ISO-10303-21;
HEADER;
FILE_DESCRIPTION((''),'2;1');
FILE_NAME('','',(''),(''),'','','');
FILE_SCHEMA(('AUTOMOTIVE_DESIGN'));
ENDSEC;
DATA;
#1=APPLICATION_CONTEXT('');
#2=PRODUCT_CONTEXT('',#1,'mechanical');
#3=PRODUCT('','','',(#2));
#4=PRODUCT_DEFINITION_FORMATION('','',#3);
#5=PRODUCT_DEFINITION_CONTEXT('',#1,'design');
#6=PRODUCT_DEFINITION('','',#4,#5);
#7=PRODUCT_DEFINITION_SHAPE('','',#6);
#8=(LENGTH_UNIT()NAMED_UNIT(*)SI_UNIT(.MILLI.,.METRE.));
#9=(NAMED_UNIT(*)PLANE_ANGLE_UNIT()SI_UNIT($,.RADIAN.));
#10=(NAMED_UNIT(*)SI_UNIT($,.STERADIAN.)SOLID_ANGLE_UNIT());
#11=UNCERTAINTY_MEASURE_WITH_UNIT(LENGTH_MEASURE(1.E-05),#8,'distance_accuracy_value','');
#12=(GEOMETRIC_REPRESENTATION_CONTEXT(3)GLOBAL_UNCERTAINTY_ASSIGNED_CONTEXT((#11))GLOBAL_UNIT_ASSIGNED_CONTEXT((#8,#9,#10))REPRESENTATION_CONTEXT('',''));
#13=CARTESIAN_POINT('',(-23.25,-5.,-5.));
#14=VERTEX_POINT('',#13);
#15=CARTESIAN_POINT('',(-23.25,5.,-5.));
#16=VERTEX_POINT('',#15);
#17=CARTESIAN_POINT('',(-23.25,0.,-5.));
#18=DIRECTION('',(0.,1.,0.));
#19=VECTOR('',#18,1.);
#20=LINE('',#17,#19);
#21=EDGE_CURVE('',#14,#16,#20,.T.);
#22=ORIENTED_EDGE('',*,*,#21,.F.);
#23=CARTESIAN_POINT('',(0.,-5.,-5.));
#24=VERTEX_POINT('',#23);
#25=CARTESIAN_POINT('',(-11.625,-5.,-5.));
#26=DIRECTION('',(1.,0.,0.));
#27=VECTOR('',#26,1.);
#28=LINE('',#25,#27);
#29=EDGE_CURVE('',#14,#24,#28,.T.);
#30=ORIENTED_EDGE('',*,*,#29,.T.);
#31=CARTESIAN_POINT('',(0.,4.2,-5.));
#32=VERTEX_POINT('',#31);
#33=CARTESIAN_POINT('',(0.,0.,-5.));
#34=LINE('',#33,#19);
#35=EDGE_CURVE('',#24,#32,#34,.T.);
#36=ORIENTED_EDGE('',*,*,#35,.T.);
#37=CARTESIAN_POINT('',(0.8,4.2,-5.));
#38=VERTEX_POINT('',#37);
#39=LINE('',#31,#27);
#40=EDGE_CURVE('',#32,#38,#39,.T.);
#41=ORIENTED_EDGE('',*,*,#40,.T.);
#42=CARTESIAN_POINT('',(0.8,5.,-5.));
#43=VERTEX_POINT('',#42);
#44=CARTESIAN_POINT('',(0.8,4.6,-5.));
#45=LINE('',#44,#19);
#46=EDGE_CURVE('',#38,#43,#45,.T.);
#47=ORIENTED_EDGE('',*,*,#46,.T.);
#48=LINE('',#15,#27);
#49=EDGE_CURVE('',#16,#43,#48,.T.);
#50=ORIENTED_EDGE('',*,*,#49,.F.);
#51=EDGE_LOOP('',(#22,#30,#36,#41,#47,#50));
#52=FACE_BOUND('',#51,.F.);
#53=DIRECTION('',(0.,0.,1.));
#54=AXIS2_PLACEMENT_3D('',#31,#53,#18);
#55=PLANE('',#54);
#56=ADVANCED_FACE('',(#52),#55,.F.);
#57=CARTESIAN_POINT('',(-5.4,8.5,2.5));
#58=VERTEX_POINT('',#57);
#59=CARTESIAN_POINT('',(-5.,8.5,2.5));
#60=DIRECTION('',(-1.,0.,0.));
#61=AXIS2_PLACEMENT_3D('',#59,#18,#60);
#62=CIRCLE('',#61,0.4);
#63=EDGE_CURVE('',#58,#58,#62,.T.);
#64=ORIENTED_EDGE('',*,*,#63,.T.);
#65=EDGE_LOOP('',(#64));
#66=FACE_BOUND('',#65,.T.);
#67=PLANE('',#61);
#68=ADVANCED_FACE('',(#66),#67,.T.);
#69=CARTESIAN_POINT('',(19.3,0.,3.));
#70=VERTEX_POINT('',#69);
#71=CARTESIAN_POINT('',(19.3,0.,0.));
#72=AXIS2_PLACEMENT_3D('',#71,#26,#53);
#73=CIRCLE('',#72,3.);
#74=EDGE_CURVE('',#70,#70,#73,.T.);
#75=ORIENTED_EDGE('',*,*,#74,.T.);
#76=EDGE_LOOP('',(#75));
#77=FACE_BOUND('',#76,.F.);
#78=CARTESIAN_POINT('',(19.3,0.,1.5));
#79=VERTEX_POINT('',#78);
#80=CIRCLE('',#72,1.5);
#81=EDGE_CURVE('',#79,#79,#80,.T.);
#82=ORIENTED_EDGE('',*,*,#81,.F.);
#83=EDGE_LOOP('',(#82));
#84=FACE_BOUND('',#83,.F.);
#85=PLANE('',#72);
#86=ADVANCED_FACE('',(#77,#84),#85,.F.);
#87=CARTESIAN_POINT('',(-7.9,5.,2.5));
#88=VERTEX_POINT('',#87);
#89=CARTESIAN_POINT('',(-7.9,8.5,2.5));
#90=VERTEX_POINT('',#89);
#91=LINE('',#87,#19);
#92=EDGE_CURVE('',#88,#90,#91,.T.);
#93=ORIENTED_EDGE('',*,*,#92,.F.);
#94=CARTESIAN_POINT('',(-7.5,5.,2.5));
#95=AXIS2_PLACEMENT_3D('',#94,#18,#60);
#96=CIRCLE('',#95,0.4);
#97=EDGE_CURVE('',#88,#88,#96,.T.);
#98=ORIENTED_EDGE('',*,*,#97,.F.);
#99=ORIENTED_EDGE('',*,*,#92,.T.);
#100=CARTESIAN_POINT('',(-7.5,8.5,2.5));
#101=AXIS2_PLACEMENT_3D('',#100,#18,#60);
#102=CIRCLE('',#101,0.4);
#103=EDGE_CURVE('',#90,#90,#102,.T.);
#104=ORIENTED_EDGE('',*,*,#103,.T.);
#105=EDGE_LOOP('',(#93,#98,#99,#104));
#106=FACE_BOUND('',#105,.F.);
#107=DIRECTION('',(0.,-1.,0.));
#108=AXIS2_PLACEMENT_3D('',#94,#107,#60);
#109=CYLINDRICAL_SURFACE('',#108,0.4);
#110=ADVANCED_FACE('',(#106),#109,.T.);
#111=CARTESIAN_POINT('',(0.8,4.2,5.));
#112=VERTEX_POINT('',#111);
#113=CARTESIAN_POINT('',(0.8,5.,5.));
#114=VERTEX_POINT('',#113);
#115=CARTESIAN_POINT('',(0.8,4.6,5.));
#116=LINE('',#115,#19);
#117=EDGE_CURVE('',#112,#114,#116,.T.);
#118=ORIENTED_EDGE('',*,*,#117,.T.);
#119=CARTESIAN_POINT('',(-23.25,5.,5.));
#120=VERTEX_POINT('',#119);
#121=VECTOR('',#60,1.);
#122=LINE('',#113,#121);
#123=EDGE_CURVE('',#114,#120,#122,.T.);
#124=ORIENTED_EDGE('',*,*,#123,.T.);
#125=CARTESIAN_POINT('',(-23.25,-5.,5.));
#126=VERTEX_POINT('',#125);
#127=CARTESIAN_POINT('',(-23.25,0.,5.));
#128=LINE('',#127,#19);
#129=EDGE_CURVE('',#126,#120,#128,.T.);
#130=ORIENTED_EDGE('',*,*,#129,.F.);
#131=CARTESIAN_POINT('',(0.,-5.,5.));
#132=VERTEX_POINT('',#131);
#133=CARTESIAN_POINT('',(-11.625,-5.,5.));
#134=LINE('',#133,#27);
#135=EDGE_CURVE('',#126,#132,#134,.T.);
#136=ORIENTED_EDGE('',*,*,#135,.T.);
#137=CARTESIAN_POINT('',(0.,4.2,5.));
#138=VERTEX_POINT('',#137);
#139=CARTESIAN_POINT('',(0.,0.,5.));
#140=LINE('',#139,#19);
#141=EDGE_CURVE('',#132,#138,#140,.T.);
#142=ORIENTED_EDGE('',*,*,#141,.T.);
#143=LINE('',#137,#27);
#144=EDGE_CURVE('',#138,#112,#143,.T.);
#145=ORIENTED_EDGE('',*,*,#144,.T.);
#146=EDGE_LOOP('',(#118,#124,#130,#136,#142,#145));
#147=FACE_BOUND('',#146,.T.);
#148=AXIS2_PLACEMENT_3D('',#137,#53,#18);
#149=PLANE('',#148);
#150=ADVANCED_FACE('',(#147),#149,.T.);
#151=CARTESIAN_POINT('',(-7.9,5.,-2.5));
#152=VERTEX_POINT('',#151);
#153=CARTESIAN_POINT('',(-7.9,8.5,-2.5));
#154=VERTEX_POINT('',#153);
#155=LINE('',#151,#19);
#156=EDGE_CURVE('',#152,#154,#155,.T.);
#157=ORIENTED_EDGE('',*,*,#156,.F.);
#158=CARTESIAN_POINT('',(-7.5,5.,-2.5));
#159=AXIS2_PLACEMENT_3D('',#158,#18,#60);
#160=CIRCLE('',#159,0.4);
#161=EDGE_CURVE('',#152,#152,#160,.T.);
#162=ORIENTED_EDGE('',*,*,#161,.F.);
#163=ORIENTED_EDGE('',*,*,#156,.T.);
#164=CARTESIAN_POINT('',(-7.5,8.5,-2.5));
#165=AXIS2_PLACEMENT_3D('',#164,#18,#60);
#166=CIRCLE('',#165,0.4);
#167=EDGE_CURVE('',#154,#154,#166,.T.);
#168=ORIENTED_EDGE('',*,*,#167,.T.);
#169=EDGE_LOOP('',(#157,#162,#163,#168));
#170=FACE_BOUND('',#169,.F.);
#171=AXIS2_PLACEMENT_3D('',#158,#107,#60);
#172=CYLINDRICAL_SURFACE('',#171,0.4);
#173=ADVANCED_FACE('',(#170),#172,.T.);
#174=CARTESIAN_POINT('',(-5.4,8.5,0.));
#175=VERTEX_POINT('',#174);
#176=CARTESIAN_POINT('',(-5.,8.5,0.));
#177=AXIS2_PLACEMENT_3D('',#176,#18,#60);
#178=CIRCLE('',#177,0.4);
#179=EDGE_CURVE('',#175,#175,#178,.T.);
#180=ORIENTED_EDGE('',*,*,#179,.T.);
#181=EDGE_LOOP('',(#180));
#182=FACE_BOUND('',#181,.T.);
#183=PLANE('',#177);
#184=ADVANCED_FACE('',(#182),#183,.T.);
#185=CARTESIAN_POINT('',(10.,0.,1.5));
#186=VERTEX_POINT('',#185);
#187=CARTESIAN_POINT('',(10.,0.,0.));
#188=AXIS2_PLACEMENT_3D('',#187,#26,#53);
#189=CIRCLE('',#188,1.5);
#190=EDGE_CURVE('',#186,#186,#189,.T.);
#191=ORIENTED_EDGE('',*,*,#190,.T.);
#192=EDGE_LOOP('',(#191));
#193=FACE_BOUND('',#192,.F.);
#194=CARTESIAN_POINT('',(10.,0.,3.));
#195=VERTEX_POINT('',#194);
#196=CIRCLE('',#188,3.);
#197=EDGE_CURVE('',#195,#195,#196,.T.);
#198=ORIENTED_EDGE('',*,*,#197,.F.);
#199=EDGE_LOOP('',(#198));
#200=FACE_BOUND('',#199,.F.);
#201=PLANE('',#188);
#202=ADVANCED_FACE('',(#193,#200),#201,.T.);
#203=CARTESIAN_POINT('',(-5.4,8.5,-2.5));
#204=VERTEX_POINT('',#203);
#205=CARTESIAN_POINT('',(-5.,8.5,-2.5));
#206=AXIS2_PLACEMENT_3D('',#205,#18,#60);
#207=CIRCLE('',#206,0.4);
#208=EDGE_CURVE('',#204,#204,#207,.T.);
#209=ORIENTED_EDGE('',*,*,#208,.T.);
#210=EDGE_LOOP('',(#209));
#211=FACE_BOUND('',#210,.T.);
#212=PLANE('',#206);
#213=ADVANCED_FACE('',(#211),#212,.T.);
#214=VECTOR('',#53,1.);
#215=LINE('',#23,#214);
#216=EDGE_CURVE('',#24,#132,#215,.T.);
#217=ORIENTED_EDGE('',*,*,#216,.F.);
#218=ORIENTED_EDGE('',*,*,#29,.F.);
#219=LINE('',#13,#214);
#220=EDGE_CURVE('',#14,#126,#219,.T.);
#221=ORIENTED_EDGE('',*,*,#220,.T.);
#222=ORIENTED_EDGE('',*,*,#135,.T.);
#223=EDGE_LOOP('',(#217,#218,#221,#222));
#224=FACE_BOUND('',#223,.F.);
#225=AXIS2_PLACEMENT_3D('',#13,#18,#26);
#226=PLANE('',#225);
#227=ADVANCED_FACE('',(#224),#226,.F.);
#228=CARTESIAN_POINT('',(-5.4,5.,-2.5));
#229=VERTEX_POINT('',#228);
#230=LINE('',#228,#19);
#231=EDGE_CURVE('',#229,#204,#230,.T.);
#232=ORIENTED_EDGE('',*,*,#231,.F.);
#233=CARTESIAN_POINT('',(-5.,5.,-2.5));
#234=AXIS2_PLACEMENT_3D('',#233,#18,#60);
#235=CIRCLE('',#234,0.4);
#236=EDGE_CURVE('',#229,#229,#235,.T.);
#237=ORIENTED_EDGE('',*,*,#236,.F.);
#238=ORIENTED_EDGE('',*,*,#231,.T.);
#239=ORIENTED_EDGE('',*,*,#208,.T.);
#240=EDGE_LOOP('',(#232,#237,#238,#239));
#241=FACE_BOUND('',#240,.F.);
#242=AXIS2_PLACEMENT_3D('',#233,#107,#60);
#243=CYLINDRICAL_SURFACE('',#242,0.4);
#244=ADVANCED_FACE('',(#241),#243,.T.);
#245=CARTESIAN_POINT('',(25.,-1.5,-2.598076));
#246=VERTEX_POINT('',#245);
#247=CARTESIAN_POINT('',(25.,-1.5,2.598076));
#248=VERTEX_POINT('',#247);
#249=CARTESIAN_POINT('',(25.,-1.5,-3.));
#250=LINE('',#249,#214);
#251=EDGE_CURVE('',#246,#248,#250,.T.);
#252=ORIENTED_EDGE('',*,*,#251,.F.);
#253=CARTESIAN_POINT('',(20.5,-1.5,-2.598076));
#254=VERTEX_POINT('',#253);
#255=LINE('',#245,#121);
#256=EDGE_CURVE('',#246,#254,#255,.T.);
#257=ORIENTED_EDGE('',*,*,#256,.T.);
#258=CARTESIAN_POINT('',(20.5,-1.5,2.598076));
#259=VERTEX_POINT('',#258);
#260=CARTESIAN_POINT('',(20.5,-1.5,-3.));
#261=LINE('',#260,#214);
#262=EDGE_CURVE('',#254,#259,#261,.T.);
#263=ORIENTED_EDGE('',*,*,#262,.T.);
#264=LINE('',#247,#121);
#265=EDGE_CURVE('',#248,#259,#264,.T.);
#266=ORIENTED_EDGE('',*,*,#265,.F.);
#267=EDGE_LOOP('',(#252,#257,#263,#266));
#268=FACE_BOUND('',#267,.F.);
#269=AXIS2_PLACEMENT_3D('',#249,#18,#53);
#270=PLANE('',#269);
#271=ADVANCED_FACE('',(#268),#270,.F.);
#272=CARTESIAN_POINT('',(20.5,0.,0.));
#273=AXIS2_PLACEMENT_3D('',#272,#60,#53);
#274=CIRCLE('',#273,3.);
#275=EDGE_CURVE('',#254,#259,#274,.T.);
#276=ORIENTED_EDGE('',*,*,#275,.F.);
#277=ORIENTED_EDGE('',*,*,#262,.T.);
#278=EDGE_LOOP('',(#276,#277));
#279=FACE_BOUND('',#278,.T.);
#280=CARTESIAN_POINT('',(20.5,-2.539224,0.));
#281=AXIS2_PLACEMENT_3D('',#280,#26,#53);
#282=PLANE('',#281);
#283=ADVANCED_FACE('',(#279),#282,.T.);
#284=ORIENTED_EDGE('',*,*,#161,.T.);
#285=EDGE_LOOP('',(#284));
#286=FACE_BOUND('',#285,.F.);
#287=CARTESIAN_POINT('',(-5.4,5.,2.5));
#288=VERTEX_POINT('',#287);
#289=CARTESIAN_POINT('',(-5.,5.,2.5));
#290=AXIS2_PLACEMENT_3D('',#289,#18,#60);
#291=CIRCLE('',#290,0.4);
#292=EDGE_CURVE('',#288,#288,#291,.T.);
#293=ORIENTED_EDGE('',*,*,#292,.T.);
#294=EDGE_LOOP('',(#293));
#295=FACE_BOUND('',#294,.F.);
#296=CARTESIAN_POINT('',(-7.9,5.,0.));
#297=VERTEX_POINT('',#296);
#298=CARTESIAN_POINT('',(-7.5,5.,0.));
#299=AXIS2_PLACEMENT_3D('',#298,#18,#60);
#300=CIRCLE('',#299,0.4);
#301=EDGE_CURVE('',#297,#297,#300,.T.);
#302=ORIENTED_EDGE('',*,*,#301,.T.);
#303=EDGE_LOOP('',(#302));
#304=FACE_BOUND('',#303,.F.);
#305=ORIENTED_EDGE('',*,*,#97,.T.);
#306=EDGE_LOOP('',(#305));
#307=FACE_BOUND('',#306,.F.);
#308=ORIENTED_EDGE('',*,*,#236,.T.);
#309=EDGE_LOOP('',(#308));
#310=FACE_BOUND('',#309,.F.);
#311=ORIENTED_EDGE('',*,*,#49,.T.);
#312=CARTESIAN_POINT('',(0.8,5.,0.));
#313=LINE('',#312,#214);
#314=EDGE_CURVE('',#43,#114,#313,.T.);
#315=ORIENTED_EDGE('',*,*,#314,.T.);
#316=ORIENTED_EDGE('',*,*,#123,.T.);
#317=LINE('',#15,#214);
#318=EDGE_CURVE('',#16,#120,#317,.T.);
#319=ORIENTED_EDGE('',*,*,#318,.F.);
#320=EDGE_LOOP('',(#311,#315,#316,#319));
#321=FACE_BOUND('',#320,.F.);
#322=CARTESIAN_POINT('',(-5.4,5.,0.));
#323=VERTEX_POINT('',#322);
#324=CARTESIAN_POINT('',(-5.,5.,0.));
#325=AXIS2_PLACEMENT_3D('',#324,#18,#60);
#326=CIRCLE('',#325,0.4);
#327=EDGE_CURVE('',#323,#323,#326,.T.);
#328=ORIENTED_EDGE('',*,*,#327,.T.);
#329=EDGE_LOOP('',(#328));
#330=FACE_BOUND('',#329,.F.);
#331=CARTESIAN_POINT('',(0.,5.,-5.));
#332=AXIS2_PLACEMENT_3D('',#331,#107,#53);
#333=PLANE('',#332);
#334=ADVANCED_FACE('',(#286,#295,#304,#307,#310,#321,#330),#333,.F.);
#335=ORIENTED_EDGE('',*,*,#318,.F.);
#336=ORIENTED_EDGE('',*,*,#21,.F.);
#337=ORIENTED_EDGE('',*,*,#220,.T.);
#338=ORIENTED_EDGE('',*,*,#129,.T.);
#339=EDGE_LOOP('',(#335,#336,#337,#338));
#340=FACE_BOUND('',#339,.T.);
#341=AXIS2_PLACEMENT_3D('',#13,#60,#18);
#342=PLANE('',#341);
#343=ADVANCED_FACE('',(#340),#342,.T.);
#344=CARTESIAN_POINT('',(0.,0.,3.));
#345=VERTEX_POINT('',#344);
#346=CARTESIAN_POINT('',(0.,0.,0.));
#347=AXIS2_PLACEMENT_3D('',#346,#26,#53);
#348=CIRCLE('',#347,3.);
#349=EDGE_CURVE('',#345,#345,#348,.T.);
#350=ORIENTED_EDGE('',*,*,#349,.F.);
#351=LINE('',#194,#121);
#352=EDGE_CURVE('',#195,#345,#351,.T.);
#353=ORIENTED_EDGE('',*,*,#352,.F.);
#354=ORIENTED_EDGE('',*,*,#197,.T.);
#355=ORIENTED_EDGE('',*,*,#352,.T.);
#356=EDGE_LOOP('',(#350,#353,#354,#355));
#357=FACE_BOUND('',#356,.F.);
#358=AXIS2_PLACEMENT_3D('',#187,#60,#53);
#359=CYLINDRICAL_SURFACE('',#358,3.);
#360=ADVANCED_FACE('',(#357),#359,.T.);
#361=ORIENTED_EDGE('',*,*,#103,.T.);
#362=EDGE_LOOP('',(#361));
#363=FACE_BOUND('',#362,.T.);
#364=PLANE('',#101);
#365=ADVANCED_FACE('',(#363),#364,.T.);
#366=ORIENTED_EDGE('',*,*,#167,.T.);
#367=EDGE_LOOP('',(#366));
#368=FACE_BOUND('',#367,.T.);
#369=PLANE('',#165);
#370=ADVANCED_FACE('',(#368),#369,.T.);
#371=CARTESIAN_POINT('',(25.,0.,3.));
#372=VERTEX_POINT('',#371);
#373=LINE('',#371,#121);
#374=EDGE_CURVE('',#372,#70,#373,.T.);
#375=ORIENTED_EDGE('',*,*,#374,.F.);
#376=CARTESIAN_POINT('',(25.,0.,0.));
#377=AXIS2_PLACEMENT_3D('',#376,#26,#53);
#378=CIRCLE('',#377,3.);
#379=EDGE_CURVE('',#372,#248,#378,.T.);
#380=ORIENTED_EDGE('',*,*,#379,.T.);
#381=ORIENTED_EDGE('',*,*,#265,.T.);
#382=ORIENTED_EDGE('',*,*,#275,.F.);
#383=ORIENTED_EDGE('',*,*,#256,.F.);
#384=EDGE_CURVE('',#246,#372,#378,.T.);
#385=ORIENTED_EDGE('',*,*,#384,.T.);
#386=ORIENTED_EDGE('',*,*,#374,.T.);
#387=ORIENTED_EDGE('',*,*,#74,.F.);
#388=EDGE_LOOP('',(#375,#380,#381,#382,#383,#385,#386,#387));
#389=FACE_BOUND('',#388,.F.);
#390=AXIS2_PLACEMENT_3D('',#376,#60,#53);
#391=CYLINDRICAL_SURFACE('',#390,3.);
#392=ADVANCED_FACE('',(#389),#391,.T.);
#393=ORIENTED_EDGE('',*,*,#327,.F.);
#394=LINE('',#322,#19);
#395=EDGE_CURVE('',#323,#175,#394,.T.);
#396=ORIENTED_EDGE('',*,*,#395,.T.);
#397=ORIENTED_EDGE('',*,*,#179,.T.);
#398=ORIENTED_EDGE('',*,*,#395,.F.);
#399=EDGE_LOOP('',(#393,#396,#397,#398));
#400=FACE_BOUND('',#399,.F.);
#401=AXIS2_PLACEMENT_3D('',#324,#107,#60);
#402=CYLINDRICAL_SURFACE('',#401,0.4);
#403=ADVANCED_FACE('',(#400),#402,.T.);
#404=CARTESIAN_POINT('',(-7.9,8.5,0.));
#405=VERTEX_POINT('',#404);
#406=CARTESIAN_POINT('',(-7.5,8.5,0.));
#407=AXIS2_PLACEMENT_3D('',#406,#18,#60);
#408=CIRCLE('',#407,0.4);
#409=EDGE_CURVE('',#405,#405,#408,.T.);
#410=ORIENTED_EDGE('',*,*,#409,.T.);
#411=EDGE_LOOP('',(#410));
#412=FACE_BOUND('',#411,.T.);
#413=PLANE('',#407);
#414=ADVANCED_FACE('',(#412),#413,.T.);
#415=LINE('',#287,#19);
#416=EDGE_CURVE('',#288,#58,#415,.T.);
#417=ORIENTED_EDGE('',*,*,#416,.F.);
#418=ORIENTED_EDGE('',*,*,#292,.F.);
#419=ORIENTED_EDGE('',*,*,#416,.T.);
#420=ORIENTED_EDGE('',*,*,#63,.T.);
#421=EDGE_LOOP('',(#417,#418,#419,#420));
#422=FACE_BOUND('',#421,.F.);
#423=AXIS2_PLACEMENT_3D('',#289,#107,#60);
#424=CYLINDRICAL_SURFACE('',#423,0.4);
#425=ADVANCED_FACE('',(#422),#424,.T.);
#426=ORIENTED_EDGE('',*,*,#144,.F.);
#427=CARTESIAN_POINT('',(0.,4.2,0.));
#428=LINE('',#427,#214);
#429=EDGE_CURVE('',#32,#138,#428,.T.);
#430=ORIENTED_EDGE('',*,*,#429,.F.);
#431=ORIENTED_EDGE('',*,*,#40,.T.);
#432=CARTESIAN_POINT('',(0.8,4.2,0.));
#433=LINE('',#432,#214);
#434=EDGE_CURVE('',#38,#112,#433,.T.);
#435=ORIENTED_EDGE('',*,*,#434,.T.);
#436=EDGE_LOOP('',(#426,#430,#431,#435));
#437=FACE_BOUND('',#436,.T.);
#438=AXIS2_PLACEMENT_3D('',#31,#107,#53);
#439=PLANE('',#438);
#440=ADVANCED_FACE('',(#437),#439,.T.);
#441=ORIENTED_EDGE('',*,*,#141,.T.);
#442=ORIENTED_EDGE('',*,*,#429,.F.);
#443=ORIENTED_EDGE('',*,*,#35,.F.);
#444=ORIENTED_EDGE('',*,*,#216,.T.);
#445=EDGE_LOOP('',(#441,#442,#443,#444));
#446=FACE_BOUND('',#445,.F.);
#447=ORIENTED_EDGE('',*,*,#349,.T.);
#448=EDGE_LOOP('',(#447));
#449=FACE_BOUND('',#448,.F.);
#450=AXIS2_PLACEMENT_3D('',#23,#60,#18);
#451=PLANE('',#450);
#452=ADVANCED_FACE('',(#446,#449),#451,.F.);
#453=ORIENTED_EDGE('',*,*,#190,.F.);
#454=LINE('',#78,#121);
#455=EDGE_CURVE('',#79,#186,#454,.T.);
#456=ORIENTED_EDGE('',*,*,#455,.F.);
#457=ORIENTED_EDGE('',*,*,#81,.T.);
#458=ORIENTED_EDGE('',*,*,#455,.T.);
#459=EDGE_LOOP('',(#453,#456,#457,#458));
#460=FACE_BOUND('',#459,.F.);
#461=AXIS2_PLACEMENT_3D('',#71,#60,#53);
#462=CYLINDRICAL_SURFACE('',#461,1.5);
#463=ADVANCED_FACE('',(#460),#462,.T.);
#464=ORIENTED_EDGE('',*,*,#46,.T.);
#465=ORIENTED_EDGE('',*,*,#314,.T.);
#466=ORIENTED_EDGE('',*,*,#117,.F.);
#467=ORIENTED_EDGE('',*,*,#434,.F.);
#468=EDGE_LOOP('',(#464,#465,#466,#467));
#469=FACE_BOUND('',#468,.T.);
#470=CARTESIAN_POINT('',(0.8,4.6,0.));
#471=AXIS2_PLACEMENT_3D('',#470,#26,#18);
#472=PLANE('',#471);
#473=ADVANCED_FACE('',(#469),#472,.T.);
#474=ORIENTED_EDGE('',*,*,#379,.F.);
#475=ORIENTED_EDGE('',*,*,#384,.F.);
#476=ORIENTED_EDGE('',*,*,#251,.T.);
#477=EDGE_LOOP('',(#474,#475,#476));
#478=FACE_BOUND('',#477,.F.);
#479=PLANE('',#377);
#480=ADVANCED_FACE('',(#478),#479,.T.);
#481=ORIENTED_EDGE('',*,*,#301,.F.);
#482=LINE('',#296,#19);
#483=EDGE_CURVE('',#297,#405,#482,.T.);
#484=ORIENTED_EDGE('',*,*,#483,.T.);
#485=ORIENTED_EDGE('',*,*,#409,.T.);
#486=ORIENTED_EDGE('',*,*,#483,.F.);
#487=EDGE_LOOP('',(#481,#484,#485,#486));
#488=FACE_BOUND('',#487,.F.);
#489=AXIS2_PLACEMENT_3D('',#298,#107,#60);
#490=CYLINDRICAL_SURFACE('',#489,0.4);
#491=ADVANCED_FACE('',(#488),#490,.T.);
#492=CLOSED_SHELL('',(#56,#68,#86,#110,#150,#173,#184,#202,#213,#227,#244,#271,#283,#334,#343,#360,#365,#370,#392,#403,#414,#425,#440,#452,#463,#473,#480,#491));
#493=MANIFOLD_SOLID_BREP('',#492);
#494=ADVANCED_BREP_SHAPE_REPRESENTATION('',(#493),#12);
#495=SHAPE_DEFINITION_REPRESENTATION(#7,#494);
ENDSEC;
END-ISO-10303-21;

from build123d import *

# Parameters (mm, degrees)
POCKET_DEPTH = 4.5
BOX_W        = 23.25
BOX_H        = 10
BOX_DEPTH    = 10
SKETCH002_R  = 0.4
PAD_DEPTH    = 3.5
SKETCH003_W  = 0.8
SKETCH003_H  = 10
PAD001_DEPTH = 0.8


with BuildPart() as pocket:
    # Sketch → Revolution (revolve)
    with BuildSketch(Plane.XZ):
        Polygon((10, 3), (0, 3), (0, 0), (25, 0), (25, 3), (19.3, 3), (19.3, 1.5), (10, 1.5), align=None)
    revolve(axis=Axis((0, 0, 0), (1, 0, 0)))

    # Sketch001 → Pocket (cut)
    with BuildSketch(Plane(origin=(25, 0, 0), x_dir=(0, 0, 1), z_dir=(1, 0, 0))):
        with BuildLine():
            ThreePointArc((3, 1.5), (0, 4.499985), (-3, 1.5))
            Line((-3, 1.5), (3, 1.5))
        make_face()
    extrude(amount=-POCKET_DEPTH, mode=Mode.SUBTRACT)


with BuildPart() as fusion:
    # Box → Box (new body)
    with BuildSketch(Plane(origin=(-23.25, -5, -5), x_dir=(1, 0, 0), z_dir=(0, 0, 1))):
        with Locations((11.625, 5)):
            Rectangle(BOX_W, BOX_H)
    extrude(amount=BOX_DEPTH)

    # Sketch002 → Pad (new body)
    with BuildSketch(Plane(origin=(-23.25, 5, -5), x_dir=(-1, 0, 0), z_dir=(0, 1, 0))):
        with Locations((-18.25, 7.5)):
            Circle(SKETCH002_R)
        with Locations((-18.25, 5)):
            Circle(SKETCH002_R)
        with Locations((-18.25, 2.5)):
            Circle(SKETCH002_R)
        with Locations((-15.75, 7.5)):
            Circle(SKETCH002_R)
        with Locations((-15.75, 5)):
            Circle(SKETCH002_R)
        with Locations((-15.75, 2.5)):
            Circle(SKETCH002_R)
    extrude(amount=PAD_DEPTH)

    # Sketch003 → Pad001 (new body)
    with BuildSketch(Plane(origin=(0, -5, -5), x_dir=(0, 1, 0), z_dir=(1, 0, 0))):
        with Locations((9.6, 5)):
            Rectangle(SKETCH003_W, SKETCH003_H)
    extrude(amount=PAD001_DEPTH)

    # Fusion: union Pocket
    add(pocket.part)


solid = fusion.part
